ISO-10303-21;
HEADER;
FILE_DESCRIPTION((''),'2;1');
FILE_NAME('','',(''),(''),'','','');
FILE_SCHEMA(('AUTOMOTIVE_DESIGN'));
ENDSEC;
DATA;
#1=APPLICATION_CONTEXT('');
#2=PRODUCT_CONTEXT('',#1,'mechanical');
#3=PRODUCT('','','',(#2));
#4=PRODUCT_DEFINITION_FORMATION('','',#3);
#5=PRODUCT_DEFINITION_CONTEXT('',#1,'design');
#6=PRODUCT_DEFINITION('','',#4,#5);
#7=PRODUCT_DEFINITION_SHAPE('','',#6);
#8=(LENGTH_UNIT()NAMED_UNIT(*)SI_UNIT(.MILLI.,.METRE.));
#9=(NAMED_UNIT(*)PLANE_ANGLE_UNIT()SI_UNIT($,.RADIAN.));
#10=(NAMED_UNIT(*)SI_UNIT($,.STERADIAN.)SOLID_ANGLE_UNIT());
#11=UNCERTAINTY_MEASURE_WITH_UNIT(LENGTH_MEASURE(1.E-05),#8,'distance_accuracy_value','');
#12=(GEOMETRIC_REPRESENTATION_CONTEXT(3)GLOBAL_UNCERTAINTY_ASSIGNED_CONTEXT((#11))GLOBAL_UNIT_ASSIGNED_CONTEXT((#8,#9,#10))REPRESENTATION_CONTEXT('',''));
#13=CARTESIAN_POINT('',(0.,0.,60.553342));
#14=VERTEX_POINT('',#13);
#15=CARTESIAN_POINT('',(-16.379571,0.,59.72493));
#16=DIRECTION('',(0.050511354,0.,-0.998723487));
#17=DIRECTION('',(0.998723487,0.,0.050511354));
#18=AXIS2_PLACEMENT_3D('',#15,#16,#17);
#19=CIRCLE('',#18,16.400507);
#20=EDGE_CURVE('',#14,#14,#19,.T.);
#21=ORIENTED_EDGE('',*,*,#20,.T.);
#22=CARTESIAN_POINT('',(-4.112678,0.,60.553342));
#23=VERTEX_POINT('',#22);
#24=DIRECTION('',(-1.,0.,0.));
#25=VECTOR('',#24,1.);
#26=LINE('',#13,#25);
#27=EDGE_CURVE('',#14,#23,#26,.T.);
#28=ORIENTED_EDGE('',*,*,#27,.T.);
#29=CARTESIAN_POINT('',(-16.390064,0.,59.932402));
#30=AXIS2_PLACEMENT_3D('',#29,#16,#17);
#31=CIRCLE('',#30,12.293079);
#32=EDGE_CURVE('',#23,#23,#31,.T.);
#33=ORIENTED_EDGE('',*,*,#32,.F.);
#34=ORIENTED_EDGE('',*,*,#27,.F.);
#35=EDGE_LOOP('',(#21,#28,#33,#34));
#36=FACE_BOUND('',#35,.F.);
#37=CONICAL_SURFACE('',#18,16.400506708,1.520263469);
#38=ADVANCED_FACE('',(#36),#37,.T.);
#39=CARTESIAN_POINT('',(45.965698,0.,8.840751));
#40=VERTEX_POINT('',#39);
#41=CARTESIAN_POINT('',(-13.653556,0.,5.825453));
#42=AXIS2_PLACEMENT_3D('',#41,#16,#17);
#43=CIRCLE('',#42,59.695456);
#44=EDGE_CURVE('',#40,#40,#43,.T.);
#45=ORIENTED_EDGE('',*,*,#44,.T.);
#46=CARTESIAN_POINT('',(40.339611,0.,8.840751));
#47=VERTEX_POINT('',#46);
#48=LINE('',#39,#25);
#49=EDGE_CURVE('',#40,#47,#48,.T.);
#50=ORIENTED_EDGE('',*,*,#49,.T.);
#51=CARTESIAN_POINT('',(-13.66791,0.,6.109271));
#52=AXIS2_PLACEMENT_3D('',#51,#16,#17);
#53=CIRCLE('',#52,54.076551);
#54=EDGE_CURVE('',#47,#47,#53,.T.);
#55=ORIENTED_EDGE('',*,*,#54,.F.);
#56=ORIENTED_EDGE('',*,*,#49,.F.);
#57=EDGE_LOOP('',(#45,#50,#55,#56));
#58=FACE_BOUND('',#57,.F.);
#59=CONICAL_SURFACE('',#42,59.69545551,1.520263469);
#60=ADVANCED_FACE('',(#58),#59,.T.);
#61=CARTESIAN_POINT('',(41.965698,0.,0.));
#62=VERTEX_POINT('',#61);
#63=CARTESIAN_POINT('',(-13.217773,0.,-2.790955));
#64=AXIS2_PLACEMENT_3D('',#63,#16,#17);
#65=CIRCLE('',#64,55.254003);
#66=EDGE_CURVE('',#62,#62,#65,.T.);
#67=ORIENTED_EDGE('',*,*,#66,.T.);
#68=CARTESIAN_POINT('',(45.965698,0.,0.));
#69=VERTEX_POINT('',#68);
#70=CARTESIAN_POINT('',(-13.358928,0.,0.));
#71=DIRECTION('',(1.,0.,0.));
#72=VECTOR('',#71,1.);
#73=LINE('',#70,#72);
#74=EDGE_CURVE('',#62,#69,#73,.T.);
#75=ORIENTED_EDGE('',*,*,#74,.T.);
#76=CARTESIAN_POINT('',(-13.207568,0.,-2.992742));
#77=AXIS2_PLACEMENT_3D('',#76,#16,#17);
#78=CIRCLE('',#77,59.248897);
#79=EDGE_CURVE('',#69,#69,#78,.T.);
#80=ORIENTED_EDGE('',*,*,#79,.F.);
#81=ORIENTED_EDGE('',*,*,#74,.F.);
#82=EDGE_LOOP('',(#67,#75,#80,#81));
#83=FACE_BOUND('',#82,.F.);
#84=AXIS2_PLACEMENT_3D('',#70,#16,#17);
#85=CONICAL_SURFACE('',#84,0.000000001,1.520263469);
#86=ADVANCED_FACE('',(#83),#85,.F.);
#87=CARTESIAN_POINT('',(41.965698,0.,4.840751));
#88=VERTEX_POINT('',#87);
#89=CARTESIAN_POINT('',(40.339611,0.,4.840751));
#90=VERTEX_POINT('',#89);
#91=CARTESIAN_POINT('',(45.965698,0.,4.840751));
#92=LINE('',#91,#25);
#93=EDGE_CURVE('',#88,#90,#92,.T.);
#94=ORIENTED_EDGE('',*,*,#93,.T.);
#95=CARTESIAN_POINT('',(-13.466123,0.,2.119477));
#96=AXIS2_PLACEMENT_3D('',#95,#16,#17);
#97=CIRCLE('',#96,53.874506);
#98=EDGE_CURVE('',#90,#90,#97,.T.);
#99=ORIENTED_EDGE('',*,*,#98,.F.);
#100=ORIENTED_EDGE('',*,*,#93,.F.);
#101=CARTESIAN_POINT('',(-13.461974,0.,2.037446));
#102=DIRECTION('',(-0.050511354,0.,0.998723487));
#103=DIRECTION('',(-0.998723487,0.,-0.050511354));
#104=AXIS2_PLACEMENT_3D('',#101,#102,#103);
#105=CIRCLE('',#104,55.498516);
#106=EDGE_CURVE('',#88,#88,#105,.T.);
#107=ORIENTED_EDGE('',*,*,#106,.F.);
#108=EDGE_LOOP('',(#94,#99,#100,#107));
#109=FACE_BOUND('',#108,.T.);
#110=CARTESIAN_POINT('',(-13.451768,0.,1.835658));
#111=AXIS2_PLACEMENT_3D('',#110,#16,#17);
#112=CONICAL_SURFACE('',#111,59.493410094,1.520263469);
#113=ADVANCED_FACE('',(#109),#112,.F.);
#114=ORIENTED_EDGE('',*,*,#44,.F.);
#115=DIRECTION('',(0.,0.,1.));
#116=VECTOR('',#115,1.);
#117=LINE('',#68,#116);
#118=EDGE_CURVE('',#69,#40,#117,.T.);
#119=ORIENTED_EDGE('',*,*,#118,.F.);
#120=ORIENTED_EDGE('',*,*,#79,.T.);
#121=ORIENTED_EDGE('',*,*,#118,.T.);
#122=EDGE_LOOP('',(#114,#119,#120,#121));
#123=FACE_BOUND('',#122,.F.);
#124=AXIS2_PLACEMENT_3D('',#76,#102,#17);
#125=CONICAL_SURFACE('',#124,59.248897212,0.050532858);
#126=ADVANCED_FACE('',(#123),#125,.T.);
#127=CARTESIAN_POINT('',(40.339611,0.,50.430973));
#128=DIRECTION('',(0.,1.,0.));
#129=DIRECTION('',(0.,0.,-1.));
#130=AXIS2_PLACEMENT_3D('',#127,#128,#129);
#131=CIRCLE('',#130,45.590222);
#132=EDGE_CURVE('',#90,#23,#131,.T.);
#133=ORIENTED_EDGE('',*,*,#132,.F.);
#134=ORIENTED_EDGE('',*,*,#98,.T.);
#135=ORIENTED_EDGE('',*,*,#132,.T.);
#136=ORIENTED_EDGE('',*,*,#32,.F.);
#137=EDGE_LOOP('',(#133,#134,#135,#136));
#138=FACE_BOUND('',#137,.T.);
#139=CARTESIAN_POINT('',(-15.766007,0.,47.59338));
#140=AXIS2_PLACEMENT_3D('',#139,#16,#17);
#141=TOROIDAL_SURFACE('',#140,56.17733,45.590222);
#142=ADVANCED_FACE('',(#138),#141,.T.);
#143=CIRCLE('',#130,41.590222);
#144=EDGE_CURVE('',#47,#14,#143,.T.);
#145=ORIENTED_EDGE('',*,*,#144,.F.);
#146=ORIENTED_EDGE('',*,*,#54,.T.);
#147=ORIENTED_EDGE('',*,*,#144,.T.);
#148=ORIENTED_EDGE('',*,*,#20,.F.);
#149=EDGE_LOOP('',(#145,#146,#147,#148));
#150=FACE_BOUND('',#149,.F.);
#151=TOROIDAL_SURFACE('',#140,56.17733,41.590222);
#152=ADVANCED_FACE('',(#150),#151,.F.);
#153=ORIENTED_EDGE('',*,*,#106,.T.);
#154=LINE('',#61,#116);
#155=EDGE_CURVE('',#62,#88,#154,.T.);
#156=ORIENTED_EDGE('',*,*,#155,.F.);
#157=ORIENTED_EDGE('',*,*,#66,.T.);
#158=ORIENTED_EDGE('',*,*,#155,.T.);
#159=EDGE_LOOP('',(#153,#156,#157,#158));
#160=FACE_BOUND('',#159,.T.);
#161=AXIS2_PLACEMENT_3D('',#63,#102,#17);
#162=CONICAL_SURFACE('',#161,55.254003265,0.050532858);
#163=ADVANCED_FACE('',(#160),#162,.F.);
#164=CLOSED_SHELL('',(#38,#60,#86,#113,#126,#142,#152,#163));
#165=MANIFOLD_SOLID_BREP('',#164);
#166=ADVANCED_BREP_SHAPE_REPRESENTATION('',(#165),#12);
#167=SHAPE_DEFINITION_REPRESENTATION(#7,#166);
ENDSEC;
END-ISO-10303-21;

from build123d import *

# Parameters (mm, degrees)
F2_T = -4


with BuildPart() as f1:
    # F0 (on Front) → F1 (revolve)
    with BuildSketch(Plane.XZ):
        with BuildLine():
            Line((-16.4214689285, 60.553342104), (-13.3589282632, 0))
            Line((-13.3589282632, 0), (45.9656976163, 0))
            Line((45.9656976163, 0), (45.9656976163, 8.8407509029))
            Line((45.9656976163, 8.8407509029), (40.3396114707, 8.8407509029))
            ThreePointArc((40.3396114707, 8.8407509029), (7.5467908298, 24.8501696587), (0, 60.553342104))
            Line((0, 60.553342104), (-16.4214689285, 60.553342104))
        make_face()
    revolve(axis=Axis((-14.8901985958, 0, 30.276671052), (0.0505113539, 0, -0.9987234868)))

    # F2
    f2_openings = [f1.faces().sort_by_distance(p)[0] for p in [
        (-24.590306, 0, 59.72493),
        (-42.869881, 0, -2.992742),
    ]]
    offset(amount=F2_T, openings=f2_openings)


solid = f1.part
